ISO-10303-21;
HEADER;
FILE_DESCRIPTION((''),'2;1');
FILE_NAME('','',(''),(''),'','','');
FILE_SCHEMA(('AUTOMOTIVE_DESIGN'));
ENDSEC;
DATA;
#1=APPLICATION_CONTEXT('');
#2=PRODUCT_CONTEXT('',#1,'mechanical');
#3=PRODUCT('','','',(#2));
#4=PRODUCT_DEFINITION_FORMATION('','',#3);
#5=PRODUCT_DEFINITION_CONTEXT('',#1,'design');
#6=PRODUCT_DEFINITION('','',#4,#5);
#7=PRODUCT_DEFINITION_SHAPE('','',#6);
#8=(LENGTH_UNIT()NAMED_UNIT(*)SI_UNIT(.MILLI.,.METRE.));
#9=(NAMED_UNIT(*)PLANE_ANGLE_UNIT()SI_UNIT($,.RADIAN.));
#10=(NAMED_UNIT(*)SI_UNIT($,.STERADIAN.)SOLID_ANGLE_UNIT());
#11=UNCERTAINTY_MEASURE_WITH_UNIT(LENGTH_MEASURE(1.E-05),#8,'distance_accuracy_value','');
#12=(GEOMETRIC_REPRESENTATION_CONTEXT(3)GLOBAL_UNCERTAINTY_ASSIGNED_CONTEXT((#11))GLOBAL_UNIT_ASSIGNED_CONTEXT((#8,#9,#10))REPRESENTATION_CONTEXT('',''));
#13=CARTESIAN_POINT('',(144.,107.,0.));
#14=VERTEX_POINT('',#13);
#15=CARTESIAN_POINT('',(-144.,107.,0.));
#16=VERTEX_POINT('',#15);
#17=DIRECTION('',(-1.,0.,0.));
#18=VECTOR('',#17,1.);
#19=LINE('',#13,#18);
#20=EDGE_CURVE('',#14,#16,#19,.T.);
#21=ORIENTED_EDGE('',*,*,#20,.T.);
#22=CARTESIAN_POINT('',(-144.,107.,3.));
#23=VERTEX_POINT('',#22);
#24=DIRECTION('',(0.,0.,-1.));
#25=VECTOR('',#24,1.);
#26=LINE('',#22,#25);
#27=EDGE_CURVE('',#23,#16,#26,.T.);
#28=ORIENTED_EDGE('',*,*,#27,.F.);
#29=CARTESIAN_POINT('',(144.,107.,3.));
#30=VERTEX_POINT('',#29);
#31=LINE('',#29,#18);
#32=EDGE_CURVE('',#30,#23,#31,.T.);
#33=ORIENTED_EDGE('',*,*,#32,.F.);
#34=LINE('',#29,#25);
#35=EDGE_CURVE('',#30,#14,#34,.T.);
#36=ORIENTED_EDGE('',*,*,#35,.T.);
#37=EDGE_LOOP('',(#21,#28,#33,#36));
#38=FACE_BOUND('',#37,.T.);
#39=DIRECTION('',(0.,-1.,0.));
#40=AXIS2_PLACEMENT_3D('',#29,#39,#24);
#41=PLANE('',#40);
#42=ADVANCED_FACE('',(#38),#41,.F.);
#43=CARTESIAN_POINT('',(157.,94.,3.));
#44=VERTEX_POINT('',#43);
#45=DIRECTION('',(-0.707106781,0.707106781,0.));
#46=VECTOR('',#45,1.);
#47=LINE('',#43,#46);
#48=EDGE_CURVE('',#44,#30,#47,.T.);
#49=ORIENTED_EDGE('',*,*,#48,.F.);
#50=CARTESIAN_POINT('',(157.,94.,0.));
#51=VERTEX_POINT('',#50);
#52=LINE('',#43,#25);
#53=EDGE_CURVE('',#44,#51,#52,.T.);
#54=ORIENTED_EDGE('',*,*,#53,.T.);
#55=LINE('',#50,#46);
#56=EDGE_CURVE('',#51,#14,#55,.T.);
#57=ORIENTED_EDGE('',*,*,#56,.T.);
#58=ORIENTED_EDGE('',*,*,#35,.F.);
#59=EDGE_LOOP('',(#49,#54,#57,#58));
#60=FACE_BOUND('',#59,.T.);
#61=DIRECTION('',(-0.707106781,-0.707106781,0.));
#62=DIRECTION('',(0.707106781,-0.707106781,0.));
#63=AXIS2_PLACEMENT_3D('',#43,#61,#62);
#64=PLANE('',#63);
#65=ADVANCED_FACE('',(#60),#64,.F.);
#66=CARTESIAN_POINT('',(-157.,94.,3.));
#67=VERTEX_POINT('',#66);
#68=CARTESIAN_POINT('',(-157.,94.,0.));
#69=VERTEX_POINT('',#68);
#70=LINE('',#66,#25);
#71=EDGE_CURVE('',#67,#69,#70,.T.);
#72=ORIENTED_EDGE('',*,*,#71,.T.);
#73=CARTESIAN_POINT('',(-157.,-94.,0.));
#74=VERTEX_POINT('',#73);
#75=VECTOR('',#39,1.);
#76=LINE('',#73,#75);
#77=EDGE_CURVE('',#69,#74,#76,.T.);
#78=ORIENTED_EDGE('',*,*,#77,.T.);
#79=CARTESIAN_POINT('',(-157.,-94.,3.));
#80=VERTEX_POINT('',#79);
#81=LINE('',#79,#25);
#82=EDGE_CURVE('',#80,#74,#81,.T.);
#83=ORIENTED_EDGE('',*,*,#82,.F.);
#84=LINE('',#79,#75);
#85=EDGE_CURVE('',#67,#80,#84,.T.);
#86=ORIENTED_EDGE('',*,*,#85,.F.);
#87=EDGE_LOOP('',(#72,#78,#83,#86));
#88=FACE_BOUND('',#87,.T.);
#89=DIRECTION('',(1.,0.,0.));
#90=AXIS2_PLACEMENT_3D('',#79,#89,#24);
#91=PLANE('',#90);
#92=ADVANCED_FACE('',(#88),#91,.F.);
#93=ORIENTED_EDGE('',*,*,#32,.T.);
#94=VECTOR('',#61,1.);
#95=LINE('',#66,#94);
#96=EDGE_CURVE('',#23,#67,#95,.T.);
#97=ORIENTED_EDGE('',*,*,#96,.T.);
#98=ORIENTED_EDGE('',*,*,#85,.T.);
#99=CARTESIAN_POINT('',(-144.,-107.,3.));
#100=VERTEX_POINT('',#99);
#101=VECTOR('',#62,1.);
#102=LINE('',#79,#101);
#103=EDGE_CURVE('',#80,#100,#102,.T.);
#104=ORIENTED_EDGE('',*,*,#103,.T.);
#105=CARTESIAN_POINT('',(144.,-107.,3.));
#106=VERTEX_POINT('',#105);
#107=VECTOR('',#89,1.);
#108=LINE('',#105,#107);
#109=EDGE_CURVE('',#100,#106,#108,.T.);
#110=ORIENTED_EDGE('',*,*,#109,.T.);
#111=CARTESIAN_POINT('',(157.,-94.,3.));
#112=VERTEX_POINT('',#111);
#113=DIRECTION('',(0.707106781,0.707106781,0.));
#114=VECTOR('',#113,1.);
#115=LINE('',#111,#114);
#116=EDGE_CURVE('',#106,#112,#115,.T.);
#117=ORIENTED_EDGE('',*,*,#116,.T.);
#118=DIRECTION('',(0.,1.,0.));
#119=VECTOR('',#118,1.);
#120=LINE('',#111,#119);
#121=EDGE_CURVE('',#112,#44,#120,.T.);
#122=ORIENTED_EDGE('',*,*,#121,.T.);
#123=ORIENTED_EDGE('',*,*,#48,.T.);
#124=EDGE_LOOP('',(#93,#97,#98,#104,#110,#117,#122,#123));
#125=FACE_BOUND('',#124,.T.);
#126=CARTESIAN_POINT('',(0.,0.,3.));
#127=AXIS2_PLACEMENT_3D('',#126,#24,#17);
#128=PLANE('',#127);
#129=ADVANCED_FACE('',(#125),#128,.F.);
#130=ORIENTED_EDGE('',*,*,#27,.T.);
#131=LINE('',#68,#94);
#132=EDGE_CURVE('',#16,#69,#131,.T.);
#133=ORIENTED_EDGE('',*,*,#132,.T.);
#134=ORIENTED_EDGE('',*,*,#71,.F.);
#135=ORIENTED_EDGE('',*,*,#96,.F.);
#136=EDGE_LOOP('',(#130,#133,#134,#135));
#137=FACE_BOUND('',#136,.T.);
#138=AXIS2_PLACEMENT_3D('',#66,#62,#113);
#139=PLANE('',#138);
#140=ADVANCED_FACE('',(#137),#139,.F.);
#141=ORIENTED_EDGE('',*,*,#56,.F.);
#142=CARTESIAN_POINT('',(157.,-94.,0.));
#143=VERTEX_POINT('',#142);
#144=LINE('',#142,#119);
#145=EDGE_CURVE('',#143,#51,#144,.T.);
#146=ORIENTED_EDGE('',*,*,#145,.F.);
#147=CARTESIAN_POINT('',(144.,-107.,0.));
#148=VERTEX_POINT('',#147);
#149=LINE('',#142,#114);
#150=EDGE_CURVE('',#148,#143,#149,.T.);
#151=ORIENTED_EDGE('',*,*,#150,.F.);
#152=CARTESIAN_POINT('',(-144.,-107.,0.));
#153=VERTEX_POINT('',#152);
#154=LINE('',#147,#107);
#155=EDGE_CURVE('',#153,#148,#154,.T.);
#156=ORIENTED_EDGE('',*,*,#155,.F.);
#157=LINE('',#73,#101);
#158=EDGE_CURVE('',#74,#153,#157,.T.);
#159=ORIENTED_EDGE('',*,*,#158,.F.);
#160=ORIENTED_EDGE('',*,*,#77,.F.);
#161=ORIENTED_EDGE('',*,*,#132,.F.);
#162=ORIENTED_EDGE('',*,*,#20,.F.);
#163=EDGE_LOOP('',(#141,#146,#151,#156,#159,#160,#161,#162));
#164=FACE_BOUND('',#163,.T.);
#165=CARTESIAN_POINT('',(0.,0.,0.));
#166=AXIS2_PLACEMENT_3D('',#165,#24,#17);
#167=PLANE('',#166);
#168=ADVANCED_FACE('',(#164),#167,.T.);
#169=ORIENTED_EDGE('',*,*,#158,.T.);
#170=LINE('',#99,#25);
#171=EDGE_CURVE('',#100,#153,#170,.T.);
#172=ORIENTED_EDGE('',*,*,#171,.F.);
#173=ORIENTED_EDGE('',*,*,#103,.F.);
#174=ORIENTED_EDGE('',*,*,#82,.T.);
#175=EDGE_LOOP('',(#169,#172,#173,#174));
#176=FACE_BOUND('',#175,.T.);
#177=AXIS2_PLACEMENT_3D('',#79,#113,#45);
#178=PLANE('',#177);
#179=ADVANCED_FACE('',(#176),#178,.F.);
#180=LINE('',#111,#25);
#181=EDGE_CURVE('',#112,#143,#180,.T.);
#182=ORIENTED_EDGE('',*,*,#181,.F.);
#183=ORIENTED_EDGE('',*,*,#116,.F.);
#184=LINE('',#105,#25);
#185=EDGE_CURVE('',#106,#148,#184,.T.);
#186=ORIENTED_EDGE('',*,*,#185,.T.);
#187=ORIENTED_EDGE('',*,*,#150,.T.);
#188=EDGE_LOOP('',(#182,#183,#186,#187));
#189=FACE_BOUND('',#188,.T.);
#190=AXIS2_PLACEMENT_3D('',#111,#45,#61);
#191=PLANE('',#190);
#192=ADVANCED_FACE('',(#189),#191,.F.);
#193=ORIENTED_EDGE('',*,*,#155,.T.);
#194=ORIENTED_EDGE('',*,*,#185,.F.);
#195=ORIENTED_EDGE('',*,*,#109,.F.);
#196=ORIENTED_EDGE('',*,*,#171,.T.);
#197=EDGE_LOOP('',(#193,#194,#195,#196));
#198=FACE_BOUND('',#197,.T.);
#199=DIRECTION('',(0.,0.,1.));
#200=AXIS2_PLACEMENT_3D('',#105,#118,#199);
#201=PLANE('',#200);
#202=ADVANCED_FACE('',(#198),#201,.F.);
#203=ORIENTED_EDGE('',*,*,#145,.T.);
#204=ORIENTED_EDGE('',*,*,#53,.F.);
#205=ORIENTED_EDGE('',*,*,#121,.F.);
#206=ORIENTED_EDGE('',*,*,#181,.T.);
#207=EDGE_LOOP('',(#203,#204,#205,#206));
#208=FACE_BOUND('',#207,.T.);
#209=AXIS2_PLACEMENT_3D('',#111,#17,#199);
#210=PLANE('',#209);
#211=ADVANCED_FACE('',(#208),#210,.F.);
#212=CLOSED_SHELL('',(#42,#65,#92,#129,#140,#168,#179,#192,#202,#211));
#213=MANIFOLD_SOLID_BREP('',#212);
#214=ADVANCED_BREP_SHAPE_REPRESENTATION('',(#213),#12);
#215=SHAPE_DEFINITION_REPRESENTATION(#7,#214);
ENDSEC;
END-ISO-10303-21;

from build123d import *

# Parameters (mm, degrees)
EXTRUDE1_DEPTH = 3


with BuildPart() as part:
    # Sketch1 → Extrude1 (new body)
    with BuildSketch(Plane.XY):
        Polygon((144, -107), (-144, -107), (-157, -94), (-157, 94), (-144, 107), (144, 107), (157, 94), (157, -94), align=None)
    extrude(amount=EXTRUDE1_DEPTH)


solid = part.part
